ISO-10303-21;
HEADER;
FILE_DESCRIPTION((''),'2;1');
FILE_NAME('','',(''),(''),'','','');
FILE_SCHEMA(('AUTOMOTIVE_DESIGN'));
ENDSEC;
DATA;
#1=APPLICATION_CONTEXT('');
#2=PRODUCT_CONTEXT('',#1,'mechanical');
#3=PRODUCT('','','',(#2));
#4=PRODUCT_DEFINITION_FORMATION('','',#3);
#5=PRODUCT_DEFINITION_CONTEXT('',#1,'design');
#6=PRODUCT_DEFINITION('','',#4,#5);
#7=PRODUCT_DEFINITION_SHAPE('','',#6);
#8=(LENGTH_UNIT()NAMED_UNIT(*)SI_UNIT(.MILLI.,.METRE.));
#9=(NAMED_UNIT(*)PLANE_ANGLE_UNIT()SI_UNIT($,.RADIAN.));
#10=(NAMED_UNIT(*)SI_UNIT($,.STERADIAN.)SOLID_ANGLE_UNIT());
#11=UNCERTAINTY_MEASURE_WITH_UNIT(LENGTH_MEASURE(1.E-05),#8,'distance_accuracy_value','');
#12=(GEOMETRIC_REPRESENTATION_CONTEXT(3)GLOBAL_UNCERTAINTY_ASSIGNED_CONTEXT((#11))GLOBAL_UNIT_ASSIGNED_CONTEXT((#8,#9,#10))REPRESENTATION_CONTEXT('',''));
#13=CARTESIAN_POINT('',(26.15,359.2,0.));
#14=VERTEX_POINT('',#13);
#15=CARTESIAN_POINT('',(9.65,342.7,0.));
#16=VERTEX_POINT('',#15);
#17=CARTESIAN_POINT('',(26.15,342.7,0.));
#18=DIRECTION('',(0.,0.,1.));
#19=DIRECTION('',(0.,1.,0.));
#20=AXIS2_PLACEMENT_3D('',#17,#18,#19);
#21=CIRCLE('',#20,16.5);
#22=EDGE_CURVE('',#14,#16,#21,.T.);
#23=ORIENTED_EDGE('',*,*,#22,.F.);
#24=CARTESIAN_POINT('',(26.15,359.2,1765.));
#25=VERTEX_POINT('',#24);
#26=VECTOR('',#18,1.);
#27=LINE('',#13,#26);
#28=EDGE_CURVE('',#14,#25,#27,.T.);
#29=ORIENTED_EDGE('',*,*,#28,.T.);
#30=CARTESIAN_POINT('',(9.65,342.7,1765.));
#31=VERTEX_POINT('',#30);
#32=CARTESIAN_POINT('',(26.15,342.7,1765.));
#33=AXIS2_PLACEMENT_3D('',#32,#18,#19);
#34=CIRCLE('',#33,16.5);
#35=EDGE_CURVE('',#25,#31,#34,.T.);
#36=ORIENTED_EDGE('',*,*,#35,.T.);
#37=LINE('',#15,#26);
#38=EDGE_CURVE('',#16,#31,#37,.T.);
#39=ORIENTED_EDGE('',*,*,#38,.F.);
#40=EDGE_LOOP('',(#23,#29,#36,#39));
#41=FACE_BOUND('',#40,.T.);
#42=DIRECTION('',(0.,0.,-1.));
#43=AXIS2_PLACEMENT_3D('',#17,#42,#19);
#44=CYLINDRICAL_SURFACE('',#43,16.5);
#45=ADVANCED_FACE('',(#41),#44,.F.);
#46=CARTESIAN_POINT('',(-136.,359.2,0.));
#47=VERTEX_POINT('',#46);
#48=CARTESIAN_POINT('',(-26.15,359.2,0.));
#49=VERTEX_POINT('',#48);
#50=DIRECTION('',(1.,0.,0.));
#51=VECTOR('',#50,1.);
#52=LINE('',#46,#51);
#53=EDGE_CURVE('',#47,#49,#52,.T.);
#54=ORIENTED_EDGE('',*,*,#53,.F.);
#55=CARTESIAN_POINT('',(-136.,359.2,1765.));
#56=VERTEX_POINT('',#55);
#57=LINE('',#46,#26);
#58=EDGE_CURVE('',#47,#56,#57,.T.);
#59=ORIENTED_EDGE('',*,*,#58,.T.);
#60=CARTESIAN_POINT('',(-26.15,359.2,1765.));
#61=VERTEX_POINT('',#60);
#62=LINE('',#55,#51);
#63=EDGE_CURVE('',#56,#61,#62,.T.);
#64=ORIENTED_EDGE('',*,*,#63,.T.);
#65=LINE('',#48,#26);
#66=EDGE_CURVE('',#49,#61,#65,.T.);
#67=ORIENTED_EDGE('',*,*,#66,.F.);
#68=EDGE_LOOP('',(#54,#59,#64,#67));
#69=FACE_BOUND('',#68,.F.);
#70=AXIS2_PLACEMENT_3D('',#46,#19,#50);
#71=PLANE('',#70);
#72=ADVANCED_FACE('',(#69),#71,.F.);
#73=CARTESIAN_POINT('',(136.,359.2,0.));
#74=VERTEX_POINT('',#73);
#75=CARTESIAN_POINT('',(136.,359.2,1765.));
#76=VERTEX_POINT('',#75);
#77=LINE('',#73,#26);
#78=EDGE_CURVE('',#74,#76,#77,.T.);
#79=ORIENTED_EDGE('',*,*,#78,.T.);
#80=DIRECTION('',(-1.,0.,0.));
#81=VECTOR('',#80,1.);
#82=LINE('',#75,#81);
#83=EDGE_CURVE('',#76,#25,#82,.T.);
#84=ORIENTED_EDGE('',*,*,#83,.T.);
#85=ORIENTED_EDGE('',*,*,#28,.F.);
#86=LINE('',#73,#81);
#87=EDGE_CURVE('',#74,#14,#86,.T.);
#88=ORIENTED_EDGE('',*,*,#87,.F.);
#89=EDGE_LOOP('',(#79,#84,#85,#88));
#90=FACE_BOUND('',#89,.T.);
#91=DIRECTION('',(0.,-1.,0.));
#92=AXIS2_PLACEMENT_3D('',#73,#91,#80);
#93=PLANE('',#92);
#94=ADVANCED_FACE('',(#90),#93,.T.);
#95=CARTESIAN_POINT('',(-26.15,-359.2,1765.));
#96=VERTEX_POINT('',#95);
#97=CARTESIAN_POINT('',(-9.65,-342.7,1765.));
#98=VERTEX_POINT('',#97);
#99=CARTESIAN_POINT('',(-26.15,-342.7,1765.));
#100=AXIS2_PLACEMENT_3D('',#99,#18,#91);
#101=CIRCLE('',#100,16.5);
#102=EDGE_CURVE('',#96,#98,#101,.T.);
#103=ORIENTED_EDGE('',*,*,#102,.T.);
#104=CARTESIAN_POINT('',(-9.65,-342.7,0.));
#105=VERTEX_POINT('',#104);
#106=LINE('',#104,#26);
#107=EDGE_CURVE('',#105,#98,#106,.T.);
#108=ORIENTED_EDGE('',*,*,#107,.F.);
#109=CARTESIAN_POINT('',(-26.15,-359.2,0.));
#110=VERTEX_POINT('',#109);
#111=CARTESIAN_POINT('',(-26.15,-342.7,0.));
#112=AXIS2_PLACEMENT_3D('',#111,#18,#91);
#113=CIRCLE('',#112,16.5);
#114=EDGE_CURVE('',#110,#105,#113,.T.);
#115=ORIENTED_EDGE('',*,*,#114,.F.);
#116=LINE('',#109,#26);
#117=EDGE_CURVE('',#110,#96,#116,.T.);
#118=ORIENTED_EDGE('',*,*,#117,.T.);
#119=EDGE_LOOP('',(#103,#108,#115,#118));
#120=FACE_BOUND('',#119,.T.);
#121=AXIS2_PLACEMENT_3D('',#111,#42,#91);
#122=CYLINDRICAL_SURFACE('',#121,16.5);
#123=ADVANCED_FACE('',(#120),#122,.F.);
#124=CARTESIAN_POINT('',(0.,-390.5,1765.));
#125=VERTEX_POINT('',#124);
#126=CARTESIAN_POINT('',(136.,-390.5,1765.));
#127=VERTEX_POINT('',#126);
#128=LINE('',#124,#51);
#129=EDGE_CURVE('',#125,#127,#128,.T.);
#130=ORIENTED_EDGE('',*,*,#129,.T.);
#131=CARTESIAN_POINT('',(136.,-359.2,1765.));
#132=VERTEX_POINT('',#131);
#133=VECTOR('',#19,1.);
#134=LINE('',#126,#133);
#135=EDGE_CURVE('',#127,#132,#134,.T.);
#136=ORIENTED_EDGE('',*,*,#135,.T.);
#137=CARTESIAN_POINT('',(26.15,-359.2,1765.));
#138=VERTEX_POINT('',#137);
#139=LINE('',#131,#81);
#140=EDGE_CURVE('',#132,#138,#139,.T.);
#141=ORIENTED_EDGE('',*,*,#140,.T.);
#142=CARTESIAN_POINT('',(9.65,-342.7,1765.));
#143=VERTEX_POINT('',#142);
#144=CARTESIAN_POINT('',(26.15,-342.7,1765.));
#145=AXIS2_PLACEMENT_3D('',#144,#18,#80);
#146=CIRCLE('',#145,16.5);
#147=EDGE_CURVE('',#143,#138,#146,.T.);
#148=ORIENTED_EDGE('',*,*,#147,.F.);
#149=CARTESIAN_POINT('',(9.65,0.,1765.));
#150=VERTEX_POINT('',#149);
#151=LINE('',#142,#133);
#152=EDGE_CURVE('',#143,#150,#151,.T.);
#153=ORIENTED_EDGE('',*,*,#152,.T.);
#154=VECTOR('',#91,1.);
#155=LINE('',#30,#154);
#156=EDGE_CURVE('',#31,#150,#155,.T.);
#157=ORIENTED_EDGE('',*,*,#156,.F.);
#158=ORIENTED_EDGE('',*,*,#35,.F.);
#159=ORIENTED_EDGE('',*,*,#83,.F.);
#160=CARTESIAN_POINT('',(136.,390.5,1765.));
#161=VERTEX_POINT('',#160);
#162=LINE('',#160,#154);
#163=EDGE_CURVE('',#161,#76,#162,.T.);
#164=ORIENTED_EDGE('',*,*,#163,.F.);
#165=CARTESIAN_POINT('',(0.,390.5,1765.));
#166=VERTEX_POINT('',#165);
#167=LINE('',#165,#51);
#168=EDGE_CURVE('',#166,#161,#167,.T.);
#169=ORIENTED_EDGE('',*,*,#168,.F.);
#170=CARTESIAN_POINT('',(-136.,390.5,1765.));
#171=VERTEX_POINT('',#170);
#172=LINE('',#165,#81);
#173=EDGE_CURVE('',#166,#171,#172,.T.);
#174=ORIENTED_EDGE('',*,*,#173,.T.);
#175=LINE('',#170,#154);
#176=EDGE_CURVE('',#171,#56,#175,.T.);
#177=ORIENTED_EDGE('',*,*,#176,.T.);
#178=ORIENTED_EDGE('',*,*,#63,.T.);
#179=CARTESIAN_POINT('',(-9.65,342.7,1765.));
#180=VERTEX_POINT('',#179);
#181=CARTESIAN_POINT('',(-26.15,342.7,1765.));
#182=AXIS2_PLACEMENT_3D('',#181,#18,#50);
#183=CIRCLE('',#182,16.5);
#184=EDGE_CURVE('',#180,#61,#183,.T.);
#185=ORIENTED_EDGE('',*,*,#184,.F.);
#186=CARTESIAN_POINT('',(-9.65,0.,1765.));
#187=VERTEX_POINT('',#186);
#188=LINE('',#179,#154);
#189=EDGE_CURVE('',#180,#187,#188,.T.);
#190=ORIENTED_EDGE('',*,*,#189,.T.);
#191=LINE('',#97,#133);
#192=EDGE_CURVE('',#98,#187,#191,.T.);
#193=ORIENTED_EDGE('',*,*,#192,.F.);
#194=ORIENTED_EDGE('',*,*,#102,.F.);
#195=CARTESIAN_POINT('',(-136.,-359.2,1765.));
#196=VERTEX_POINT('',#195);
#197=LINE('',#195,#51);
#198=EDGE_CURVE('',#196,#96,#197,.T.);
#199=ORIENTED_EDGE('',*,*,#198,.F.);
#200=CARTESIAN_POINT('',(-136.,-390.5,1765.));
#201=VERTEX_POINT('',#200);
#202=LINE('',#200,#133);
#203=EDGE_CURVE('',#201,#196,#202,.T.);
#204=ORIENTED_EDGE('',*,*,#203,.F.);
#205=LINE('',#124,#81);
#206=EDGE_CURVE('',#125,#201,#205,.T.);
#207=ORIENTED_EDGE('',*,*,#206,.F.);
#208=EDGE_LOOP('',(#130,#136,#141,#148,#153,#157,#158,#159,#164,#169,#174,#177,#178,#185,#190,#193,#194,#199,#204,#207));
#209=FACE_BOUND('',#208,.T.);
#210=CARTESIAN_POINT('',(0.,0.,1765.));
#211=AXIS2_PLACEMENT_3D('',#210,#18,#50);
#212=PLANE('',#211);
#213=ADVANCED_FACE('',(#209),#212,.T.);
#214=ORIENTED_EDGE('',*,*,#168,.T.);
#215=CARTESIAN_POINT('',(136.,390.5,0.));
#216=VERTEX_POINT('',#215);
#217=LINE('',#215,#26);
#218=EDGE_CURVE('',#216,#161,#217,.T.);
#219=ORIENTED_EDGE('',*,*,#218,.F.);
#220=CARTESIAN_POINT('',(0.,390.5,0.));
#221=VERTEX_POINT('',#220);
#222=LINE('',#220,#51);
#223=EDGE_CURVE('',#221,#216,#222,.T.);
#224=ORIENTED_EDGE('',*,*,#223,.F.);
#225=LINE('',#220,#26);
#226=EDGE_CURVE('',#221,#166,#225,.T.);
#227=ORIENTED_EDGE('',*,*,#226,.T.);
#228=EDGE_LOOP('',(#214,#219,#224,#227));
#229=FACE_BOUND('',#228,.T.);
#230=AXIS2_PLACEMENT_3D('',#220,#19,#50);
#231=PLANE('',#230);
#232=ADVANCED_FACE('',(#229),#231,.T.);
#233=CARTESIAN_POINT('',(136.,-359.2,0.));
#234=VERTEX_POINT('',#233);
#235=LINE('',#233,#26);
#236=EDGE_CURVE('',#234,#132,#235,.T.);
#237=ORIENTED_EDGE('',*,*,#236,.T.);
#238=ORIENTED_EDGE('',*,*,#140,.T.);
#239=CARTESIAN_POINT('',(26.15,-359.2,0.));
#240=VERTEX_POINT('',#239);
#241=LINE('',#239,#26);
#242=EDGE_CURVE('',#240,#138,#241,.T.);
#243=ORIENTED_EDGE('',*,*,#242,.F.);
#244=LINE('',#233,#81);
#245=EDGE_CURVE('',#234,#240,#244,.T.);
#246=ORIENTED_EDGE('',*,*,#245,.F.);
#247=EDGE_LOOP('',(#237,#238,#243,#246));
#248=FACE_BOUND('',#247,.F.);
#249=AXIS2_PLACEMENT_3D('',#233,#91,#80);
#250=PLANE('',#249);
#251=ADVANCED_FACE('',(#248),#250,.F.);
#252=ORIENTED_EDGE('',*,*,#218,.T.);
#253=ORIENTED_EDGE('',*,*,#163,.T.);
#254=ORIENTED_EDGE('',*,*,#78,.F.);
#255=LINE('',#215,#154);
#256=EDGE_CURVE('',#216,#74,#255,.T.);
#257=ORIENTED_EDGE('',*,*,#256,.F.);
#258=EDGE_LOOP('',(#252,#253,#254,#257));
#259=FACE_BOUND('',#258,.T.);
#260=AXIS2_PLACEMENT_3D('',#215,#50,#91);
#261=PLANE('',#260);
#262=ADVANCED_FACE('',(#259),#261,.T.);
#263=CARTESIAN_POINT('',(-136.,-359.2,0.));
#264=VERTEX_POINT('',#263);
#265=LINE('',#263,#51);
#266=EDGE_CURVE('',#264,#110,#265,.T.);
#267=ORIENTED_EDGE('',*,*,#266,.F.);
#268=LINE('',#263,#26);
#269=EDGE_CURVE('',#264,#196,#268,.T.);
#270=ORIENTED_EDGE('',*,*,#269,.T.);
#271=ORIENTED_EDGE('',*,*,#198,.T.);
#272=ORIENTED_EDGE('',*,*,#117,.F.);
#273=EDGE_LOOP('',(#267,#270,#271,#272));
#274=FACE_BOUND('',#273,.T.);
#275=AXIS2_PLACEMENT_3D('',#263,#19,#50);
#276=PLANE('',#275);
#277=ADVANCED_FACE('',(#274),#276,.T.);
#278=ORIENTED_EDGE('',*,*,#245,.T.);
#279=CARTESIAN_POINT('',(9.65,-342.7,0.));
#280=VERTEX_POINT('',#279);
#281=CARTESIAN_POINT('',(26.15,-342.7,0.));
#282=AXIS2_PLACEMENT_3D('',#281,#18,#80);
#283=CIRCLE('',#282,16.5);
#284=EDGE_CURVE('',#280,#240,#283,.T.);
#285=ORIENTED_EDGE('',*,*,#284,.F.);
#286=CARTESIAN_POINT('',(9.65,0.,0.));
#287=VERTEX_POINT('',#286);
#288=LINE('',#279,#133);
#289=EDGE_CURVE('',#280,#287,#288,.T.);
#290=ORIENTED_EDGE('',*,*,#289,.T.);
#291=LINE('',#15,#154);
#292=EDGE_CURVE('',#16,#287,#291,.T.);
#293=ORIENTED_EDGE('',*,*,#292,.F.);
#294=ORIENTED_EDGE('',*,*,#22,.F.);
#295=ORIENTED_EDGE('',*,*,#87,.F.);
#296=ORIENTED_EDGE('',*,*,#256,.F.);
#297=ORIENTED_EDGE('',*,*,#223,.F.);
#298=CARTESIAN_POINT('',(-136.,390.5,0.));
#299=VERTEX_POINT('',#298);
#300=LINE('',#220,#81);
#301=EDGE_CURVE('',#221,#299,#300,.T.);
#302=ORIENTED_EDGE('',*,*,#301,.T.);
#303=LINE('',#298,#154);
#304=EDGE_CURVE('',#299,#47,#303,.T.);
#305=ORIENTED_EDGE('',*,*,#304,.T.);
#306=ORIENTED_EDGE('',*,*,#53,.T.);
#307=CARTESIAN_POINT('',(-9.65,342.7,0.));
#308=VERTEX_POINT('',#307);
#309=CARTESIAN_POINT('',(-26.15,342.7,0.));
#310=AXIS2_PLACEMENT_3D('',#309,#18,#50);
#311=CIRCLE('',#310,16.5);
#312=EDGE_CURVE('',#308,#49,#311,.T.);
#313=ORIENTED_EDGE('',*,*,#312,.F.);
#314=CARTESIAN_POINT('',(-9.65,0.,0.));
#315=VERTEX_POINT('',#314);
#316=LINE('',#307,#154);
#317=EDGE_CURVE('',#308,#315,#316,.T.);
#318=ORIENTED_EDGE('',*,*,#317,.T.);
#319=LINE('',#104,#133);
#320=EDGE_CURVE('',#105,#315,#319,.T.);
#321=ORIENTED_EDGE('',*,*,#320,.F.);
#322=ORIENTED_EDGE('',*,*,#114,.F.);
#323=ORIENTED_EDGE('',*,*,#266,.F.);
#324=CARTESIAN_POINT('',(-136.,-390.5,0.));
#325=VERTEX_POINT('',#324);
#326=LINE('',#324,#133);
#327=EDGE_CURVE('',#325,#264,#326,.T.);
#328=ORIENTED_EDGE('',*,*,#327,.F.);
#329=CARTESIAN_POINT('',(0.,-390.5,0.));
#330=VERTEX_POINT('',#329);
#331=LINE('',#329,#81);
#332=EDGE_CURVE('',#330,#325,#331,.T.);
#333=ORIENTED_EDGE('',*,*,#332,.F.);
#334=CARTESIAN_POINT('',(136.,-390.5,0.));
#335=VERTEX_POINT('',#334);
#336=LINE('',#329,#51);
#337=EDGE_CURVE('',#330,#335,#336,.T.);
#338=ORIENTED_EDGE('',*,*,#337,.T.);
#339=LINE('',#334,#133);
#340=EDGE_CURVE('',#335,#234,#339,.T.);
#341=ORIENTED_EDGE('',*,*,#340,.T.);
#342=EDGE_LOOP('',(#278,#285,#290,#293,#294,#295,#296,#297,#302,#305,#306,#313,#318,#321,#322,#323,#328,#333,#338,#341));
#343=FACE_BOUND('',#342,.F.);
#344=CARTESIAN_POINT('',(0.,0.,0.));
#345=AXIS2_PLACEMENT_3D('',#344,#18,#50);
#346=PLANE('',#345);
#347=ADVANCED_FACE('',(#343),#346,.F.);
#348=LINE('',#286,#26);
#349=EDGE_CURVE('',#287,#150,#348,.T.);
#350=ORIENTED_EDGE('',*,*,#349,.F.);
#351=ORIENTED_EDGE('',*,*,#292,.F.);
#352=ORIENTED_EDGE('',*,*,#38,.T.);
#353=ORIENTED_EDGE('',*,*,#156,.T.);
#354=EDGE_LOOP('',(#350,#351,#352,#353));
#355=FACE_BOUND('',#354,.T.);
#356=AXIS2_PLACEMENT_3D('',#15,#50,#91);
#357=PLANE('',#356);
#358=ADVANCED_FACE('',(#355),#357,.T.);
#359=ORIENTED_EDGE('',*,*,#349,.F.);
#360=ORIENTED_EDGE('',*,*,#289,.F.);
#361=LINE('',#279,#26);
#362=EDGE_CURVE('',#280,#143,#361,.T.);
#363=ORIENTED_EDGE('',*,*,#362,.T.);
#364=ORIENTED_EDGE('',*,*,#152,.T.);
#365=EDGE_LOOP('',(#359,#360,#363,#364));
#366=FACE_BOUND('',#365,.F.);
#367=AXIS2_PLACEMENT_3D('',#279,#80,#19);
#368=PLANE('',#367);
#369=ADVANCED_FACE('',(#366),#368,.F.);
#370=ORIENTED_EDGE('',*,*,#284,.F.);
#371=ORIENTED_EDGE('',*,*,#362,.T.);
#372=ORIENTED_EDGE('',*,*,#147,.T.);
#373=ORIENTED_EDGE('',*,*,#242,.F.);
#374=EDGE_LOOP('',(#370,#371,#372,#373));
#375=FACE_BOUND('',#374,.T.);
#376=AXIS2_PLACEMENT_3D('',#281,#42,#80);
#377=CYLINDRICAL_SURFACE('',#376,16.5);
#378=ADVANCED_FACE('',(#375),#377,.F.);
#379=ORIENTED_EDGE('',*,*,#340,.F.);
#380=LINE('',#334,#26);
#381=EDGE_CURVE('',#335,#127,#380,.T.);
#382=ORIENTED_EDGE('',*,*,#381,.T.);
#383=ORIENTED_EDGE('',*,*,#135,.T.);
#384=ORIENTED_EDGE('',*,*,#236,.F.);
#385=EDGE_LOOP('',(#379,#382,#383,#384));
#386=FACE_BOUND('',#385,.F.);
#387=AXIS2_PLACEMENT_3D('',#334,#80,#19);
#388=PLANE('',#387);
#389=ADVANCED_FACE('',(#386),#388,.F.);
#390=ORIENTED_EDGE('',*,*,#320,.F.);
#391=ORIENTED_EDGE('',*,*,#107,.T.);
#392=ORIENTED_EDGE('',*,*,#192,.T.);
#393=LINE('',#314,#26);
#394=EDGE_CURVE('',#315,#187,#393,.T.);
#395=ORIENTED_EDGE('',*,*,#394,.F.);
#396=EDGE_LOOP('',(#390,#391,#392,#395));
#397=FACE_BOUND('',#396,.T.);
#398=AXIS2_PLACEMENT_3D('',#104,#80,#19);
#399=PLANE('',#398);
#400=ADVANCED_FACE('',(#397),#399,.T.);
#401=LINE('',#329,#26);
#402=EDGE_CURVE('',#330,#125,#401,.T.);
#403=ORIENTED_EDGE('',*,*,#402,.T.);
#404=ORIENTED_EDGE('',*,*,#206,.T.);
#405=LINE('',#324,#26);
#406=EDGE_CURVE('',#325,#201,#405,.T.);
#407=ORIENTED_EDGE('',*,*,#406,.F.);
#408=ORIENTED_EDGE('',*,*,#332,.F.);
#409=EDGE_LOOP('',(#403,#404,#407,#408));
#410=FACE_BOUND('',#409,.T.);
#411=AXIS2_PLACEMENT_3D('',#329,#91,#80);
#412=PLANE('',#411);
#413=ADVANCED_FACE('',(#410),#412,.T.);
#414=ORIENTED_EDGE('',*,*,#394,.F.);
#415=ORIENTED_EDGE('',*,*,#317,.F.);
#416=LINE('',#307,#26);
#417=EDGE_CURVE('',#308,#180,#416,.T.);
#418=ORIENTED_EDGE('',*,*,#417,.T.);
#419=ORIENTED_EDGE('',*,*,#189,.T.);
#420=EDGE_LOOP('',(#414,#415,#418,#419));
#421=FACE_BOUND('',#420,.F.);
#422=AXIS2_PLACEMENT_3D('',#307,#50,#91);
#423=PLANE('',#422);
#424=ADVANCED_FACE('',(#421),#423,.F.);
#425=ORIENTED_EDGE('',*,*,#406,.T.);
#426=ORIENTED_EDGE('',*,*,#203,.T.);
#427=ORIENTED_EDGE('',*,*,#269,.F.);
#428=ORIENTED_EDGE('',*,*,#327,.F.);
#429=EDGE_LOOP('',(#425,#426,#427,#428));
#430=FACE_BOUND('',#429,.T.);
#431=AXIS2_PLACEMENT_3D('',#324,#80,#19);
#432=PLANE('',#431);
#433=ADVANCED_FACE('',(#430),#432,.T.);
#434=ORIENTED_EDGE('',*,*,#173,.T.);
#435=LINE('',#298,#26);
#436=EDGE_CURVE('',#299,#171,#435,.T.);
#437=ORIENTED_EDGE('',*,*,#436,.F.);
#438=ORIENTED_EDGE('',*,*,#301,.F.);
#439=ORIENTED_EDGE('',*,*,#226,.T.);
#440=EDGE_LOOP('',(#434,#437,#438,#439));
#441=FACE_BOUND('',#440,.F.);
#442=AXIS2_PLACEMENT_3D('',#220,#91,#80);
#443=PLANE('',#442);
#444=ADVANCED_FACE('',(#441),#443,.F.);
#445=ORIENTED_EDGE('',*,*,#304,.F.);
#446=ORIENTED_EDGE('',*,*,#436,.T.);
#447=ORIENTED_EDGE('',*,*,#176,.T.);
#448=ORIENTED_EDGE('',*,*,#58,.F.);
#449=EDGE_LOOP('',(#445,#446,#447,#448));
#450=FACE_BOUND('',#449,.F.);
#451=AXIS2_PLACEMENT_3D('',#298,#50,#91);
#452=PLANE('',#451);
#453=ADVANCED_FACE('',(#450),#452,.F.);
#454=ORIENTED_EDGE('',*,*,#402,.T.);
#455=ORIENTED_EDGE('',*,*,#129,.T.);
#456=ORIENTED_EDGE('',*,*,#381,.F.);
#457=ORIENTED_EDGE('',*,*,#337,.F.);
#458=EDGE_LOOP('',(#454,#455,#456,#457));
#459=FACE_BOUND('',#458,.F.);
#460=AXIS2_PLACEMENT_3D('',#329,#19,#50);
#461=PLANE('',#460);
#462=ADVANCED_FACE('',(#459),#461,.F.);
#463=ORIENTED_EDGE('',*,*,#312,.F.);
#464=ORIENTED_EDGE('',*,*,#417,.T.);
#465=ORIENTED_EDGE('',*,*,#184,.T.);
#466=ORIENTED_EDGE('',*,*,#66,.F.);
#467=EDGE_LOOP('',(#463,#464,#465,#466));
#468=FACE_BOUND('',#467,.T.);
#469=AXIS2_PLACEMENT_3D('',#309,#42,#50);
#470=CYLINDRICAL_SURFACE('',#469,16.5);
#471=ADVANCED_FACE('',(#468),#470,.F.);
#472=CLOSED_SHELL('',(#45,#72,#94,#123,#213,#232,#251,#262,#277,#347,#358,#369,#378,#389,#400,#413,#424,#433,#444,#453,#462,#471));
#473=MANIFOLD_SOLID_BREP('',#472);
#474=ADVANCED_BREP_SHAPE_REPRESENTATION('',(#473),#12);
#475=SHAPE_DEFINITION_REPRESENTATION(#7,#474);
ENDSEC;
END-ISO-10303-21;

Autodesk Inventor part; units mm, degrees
ref_plane "YZ Plane" through (0, 0, 0) normal (1, 0, 0) x (0, 1, 0)
ref_plane "Start plane" through (0, 0, 0) normal (0, 0, 1) x (1, 0, 0)
ref_plane "End plane" through (0, 0, 1765) normal (0, 0, 1) x (1, 0, 0)
sketch "Sketch" plane through (0, 0, 0) normal (0, 0, 1) x (1, 0, 0)
  line L0 (-136, -390.5) -> (-136, -359.2)
  line L1 (-136, -359.2) -> (-26.15, -359.2)
  line L2 (-9.65, -342.7) -> (-9.65, 0)
  line L3 (-9.65, 0) -> (0, 0) construction
  line L4 (0, 0) -> (0, -390.5) construction
  line L5 (0, -390.5) -> (-136, -390.5)
  line L6 (-60, 0) -> (80, 0) construction
  line L7 (0, -60) -> (0, 80) construction
  line L8 (136, -390.5) -> (136, -359.2)
  line L9 (136, -359.2) -> (26.15, -359.2)
  line L10 (9.65, -342.7) -> (9.65, 0)
  line L11 (9.65, 0) -> (0, 0) construction
  line L12 (0, -390.5) -> (136, -390.5)
  line L13 (-136, 390.5) -> (-136, 359.2)
  line L14 (-136, 359.2) -> (-26.15, 359.2)
  line L15 (-9.65, 342.7) -> (-9.65, 0)
  line L16 (0, 390.5) -> (-136, 390.5)
  line L17 (136, 390.5) -> (136, 359.2)
  line L18 (136, 359.2) -> (26.15, 359.2)
  line L19 (0, 390.5) -> (136, 390.5)
  line L20 (9.65, 342.7) -> (9.65, 0)
  arc A0 (-9.65, 342.7) -> (-26.15, 359.2) centre (-26.15, 342.7) ccw
  arc A1 (26.15, 359.2) -> (9.65, 342.7) centre (26.15, 342.7) ccw
  arc A2 (9.65, -342.7) -> (26.15, -359.2) centre (26.15, -342.7) ccw
  arc A3 (-26.15, -359.2) -> (-9.65, -342.7) centre (-26.15, -342.7) ccw
  line L21 (0, 108) -> (0, -88) construction
  line L22 (-88, 0) -> (108, 0) construction
  point P0 (-9.65, -359.2)
  point P1 (9.65, -359.2)
  point P2 (-9.65, 359.2)
  point P3 (9.65, 359.2)
  dimension "d1" = 390.5
  dimension "d2" = 31.3
  dimension "d3" = 136
  dimension "d4" = 9.65
  dimension "d10" = 16.5
extrude "Body" add sketch "Sketch" along normal up to surface (1765 mm away) from surface at 0
sketch "Sketch4" plane through (0, 0, 0) normal (0, 0, 1) x (1, 0, 0)
  line L0 (0, 0) -> (10, 0)
ref_plane "Work Plane3" through (0, 0, 0) normal (0, -1, 0) x (1, 0, 0)
sketch "Sketch5" plane through (0, 0, 0) normal (0, -1, 0) x (1, 0, 0)
  line L0 (-2, 0) -> (12, 0) projected
  line L1 (-2, 1765) -> (12, 1765) projected
  dimension "d14" = 1765
equation "\"d1\" = 0.5 * G_H"
equation "\"d2\" = G_T1"
equation "\"d3\" = 0.5 * G_W"
equation "\"d4\" = 0.5 * G_T"
equation "\"d10\" = G_IR"
equation "\"d5\" = G_L"
equation "\"G_W\" = 272"
equation "\"G_H\" = 781"
equation "\"G_T\" = 19.3"
equation "\"G_T1\" = 31.3"
equation "\"G_IR\" = 16.5"
equation "\"G_L\" = d14"
equation "\"G_OFFSET_START\" = 0"
equation "\"G_OFFSET_END\" = 0"
equation "\"d12\" = G_OFFSET_END + B_L"
equation "\"B_L\" = 1765"
properties part number "AS 3679-1990 - 760 UB - 244 - 1765" material "Steel, Mild"
